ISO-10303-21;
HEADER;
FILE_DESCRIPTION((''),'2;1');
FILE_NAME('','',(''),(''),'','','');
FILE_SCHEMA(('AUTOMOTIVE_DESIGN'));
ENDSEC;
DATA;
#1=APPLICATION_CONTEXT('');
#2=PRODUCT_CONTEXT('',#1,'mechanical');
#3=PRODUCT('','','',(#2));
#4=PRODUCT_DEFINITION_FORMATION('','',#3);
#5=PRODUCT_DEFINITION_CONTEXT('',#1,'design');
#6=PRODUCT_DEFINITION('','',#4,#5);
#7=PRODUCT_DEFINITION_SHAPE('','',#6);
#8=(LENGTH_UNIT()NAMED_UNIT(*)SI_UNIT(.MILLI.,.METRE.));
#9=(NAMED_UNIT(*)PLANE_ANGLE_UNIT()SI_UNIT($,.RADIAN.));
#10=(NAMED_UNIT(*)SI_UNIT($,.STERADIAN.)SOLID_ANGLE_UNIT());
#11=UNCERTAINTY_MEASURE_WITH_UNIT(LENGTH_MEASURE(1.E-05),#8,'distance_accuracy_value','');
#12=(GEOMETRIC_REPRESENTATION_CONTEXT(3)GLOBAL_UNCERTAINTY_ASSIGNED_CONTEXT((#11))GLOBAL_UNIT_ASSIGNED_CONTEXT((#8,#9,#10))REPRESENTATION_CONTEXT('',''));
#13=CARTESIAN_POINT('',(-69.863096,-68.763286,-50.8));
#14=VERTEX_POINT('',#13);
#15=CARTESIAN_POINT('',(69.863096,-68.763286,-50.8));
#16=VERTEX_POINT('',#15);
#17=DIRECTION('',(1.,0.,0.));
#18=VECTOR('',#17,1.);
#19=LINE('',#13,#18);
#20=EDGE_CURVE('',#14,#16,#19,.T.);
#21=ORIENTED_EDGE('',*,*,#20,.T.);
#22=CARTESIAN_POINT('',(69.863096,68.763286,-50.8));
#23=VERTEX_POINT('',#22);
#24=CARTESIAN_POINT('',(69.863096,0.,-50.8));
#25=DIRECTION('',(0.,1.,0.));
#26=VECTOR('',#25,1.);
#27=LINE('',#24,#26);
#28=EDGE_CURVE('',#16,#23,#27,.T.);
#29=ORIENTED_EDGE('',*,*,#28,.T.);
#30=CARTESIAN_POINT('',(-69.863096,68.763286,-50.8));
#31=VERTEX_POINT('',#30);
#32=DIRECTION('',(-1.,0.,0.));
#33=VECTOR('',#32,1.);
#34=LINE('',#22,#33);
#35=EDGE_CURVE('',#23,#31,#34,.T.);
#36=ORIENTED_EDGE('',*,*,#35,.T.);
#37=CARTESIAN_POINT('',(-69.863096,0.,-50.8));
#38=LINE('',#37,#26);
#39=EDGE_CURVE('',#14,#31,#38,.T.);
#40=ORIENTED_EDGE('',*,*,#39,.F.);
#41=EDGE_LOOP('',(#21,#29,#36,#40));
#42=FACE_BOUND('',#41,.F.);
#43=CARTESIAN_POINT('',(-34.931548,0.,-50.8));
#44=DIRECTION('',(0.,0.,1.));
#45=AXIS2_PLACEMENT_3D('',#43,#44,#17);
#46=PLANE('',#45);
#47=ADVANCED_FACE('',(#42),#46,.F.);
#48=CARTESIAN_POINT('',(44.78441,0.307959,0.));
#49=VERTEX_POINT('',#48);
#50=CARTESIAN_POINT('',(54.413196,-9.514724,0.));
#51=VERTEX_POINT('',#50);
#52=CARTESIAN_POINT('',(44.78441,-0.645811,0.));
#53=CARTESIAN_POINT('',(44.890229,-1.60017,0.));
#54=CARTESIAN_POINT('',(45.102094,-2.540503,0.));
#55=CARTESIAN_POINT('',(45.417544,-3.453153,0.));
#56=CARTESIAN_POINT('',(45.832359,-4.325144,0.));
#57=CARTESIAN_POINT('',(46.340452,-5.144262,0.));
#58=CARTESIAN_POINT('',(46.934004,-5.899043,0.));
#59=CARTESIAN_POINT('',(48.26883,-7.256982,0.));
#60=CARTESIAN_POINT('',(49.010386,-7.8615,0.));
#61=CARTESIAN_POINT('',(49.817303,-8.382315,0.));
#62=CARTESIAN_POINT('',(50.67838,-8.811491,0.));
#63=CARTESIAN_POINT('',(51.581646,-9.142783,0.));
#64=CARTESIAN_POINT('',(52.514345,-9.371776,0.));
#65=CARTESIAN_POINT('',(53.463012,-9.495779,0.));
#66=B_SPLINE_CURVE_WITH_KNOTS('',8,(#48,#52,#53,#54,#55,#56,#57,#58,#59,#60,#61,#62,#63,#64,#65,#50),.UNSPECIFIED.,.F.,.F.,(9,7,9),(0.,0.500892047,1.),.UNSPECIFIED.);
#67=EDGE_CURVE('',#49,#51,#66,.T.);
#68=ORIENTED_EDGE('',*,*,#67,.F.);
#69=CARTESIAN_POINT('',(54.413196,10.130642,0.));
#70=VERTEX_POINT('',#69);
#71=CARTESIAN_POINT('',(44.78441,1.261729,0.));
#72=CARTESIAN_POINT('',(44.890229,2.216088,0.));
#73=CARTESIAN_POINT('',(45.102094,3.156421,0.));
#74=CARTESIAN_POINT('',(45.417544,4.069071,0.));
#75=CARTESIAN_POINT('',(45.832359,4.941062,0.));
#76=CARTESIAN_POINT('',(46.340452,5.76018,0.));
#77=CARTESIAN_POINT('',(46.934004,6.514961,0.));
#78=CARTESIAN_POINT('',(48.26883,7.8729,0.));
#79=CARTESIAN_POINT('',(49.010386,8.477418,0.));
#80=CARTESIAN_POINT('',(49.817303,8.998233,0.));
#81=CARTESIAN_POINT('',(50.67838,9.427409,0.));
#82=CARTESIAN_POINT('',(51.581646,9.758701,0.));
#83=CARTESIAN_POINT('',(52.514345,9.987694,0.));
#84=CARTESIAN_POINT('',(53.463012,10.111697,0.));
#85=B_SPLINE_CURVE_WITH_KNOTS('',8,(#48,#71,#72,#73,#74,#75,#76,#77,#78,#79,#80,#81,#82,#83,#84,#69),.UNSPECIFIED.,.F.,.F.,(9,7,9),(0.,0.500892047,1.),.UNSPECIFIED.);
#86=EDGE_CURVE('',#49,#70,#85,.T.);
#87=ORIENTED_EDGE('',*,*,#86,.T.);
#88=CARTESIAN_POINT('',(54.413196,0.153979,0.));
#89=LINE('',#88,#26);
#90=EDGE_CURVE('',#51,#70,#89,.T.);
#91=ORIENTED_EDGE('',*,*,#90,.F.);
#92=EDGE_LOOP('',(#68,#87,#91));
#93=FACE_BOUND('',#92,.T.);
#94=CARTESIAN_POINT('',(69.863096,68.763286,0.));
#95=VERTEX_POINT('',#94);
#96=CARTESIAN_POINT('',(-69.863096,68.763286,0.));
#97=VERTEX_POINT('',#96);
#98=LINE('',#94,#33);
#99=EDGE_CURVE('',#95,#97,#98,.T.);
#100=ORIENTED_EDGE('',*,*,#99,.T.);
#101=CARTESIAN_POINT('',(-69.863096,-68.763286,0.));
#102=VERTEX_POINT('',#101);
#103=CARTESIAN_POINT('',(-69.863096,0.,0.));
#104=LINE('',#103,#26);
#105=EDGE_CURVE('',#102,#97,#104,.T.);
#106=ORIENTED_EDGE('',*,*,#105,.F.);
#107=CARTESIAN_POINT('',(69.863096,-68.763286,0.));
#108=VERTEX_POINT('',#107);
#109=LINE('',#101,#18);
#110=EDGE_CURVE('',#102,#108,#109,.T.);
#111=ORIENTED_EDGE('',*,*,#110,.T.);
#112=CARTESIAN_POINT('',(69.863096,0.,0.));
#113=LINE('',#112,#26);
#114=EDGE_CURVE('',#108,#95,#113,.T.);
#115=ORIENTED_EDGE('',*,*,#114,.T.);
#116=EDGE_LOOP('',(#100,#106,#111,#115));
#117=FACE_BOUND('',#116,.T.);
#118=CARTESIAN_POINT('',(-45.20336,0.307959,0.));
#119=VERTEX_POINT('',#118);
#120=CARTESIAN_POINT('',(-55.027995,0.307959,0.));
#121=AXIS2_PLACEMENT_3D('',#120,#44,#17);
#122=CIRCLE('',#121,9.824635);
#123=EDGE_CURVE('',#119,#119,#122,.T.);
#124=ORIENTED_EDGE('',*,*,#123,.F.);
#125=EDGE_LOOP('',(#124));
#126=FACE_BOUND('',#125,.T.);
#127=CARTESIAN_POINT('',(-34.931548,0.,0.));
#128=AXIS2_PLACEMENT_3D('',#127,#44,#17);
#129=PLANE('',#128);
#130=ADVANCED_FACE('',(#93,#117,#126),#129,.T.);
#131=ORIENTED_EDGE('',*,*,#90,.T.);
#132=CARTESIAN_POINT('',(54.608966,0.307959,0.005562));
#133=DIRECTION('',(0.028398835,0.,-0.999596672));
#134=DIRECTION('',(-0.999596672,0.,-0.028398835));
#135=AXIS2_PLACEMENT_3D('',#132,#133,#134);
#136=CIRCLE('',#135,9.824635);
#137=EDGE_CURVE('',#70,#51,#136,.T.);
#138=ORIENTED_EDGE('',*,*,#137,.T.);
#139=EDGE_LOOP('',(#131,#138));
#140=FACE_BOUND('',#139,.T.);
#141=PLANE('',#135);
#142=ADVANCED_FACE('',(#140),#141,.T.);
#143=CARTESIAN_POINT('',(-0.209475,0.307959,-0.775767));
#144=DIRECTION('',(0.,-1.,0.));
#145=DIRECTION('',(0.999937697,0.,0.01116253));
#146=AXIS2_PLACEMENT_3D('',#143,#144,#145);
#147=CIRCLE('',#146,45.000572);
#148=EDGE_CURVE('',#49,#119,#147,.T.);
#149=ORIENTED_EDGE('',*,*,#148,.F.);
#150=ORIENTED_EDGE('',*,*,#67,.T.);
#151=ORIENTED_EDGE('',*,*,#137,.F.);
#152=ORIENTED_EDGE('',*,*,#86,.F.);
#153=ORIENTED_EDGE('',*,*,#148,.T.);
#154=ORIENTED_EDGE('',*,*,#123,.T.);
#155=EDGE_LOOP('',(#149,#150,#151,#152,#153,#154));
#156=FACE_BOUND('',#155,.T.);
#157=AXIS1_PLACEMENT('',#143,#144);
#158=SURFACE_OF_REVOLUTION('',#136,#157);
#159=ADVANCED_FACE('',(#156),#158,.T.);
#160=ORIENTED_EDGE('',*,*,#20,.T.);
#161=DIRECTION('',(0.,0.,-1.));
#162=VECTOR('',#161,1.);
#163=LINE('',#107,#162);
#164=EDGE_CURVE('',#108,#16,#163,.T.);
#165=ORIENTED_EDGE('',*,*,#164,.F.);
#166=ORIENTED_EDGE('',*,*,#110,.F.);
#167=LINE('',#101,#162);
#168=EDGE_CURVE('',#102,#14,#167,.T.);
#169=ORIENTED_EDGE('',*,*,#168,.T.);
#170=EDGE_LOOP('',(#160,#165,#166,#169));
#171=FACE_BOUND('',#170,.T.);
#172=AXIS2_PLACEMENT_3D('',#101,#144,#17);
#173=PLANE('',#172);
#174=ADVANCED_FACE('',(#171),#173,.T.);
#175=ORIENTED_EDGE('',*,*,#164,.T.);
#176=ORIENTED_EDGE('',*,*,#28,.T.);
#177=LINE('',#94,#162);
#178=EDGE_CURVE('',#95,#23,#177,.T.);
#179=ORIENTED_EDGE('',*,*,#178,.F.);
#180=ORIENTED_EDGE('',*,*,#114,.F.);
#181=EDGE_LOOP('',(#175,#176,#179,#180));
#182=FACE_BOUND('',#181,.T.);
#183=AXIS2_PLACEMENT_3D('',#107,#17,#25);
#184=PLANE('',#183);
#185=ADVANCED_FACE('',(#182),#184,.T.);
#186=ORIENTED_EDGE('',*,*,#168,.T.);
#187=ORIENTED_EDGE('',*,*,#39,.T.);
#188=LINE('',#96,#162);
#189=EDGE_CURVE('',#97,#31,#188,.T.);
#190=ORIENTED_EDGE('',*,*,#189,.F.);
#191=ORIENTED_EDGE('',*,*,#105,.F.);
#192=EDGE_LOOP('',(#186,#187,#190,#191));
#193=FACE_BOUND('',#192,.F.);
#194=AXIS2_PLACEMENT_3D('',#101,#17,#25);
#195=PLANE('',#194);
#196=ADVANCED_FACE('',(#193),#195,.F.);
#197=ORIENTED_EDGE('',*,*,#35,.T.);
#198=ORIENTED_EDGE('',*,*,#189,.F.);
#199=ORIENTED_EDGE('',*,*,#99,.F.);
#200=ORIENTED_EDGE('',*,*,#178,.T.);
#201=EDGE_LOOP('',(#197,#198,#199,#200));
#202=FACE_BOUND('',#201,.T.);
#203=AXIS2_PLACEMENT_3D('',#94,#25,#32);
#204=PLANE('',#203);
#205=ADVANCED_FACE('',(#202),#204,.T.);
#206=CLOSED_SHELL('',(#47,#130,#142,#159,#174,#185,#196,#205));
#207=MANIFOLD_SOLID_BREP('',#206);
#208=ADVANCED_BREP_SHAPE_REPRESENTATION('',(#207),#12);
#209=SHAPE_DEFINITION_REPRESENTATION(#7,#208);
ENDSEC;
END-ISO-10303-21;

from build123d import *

# Parameters (mm, degrees)
F0_W     = 69.863096
F0_H     = 137.526572
F1_DEPTH = 50.8
F2_R     = 9.824635


with BuildPart() as f1:
    # F0 (on Top) → F1 (new body)
    with BuildSketch(Plane.XY):
        with Locations((-34.931548, 0)):
            Rectangle(F0_W, F0_H)
        with Locations((34.931548, 0)):
            Rectangle(F0_W, F0_H)
    extrude(amount=-F1_DEPTH)

    # F4: sweep along a path in F3
    with BuildLine(Plane.XZ) as f4_path:
        ThreePointArc((54.413196, 0), (-0.209475, 53.852413), (-54.832146, 0))
    # F2 (on face) → F4 (sweep)
    with BuildSketch(Plane.XY):
        with Locations((-55.027995, 0.307959)):
            Circle(F2_R)
    sweep(path=f4_path.line)


solid = f1.part
